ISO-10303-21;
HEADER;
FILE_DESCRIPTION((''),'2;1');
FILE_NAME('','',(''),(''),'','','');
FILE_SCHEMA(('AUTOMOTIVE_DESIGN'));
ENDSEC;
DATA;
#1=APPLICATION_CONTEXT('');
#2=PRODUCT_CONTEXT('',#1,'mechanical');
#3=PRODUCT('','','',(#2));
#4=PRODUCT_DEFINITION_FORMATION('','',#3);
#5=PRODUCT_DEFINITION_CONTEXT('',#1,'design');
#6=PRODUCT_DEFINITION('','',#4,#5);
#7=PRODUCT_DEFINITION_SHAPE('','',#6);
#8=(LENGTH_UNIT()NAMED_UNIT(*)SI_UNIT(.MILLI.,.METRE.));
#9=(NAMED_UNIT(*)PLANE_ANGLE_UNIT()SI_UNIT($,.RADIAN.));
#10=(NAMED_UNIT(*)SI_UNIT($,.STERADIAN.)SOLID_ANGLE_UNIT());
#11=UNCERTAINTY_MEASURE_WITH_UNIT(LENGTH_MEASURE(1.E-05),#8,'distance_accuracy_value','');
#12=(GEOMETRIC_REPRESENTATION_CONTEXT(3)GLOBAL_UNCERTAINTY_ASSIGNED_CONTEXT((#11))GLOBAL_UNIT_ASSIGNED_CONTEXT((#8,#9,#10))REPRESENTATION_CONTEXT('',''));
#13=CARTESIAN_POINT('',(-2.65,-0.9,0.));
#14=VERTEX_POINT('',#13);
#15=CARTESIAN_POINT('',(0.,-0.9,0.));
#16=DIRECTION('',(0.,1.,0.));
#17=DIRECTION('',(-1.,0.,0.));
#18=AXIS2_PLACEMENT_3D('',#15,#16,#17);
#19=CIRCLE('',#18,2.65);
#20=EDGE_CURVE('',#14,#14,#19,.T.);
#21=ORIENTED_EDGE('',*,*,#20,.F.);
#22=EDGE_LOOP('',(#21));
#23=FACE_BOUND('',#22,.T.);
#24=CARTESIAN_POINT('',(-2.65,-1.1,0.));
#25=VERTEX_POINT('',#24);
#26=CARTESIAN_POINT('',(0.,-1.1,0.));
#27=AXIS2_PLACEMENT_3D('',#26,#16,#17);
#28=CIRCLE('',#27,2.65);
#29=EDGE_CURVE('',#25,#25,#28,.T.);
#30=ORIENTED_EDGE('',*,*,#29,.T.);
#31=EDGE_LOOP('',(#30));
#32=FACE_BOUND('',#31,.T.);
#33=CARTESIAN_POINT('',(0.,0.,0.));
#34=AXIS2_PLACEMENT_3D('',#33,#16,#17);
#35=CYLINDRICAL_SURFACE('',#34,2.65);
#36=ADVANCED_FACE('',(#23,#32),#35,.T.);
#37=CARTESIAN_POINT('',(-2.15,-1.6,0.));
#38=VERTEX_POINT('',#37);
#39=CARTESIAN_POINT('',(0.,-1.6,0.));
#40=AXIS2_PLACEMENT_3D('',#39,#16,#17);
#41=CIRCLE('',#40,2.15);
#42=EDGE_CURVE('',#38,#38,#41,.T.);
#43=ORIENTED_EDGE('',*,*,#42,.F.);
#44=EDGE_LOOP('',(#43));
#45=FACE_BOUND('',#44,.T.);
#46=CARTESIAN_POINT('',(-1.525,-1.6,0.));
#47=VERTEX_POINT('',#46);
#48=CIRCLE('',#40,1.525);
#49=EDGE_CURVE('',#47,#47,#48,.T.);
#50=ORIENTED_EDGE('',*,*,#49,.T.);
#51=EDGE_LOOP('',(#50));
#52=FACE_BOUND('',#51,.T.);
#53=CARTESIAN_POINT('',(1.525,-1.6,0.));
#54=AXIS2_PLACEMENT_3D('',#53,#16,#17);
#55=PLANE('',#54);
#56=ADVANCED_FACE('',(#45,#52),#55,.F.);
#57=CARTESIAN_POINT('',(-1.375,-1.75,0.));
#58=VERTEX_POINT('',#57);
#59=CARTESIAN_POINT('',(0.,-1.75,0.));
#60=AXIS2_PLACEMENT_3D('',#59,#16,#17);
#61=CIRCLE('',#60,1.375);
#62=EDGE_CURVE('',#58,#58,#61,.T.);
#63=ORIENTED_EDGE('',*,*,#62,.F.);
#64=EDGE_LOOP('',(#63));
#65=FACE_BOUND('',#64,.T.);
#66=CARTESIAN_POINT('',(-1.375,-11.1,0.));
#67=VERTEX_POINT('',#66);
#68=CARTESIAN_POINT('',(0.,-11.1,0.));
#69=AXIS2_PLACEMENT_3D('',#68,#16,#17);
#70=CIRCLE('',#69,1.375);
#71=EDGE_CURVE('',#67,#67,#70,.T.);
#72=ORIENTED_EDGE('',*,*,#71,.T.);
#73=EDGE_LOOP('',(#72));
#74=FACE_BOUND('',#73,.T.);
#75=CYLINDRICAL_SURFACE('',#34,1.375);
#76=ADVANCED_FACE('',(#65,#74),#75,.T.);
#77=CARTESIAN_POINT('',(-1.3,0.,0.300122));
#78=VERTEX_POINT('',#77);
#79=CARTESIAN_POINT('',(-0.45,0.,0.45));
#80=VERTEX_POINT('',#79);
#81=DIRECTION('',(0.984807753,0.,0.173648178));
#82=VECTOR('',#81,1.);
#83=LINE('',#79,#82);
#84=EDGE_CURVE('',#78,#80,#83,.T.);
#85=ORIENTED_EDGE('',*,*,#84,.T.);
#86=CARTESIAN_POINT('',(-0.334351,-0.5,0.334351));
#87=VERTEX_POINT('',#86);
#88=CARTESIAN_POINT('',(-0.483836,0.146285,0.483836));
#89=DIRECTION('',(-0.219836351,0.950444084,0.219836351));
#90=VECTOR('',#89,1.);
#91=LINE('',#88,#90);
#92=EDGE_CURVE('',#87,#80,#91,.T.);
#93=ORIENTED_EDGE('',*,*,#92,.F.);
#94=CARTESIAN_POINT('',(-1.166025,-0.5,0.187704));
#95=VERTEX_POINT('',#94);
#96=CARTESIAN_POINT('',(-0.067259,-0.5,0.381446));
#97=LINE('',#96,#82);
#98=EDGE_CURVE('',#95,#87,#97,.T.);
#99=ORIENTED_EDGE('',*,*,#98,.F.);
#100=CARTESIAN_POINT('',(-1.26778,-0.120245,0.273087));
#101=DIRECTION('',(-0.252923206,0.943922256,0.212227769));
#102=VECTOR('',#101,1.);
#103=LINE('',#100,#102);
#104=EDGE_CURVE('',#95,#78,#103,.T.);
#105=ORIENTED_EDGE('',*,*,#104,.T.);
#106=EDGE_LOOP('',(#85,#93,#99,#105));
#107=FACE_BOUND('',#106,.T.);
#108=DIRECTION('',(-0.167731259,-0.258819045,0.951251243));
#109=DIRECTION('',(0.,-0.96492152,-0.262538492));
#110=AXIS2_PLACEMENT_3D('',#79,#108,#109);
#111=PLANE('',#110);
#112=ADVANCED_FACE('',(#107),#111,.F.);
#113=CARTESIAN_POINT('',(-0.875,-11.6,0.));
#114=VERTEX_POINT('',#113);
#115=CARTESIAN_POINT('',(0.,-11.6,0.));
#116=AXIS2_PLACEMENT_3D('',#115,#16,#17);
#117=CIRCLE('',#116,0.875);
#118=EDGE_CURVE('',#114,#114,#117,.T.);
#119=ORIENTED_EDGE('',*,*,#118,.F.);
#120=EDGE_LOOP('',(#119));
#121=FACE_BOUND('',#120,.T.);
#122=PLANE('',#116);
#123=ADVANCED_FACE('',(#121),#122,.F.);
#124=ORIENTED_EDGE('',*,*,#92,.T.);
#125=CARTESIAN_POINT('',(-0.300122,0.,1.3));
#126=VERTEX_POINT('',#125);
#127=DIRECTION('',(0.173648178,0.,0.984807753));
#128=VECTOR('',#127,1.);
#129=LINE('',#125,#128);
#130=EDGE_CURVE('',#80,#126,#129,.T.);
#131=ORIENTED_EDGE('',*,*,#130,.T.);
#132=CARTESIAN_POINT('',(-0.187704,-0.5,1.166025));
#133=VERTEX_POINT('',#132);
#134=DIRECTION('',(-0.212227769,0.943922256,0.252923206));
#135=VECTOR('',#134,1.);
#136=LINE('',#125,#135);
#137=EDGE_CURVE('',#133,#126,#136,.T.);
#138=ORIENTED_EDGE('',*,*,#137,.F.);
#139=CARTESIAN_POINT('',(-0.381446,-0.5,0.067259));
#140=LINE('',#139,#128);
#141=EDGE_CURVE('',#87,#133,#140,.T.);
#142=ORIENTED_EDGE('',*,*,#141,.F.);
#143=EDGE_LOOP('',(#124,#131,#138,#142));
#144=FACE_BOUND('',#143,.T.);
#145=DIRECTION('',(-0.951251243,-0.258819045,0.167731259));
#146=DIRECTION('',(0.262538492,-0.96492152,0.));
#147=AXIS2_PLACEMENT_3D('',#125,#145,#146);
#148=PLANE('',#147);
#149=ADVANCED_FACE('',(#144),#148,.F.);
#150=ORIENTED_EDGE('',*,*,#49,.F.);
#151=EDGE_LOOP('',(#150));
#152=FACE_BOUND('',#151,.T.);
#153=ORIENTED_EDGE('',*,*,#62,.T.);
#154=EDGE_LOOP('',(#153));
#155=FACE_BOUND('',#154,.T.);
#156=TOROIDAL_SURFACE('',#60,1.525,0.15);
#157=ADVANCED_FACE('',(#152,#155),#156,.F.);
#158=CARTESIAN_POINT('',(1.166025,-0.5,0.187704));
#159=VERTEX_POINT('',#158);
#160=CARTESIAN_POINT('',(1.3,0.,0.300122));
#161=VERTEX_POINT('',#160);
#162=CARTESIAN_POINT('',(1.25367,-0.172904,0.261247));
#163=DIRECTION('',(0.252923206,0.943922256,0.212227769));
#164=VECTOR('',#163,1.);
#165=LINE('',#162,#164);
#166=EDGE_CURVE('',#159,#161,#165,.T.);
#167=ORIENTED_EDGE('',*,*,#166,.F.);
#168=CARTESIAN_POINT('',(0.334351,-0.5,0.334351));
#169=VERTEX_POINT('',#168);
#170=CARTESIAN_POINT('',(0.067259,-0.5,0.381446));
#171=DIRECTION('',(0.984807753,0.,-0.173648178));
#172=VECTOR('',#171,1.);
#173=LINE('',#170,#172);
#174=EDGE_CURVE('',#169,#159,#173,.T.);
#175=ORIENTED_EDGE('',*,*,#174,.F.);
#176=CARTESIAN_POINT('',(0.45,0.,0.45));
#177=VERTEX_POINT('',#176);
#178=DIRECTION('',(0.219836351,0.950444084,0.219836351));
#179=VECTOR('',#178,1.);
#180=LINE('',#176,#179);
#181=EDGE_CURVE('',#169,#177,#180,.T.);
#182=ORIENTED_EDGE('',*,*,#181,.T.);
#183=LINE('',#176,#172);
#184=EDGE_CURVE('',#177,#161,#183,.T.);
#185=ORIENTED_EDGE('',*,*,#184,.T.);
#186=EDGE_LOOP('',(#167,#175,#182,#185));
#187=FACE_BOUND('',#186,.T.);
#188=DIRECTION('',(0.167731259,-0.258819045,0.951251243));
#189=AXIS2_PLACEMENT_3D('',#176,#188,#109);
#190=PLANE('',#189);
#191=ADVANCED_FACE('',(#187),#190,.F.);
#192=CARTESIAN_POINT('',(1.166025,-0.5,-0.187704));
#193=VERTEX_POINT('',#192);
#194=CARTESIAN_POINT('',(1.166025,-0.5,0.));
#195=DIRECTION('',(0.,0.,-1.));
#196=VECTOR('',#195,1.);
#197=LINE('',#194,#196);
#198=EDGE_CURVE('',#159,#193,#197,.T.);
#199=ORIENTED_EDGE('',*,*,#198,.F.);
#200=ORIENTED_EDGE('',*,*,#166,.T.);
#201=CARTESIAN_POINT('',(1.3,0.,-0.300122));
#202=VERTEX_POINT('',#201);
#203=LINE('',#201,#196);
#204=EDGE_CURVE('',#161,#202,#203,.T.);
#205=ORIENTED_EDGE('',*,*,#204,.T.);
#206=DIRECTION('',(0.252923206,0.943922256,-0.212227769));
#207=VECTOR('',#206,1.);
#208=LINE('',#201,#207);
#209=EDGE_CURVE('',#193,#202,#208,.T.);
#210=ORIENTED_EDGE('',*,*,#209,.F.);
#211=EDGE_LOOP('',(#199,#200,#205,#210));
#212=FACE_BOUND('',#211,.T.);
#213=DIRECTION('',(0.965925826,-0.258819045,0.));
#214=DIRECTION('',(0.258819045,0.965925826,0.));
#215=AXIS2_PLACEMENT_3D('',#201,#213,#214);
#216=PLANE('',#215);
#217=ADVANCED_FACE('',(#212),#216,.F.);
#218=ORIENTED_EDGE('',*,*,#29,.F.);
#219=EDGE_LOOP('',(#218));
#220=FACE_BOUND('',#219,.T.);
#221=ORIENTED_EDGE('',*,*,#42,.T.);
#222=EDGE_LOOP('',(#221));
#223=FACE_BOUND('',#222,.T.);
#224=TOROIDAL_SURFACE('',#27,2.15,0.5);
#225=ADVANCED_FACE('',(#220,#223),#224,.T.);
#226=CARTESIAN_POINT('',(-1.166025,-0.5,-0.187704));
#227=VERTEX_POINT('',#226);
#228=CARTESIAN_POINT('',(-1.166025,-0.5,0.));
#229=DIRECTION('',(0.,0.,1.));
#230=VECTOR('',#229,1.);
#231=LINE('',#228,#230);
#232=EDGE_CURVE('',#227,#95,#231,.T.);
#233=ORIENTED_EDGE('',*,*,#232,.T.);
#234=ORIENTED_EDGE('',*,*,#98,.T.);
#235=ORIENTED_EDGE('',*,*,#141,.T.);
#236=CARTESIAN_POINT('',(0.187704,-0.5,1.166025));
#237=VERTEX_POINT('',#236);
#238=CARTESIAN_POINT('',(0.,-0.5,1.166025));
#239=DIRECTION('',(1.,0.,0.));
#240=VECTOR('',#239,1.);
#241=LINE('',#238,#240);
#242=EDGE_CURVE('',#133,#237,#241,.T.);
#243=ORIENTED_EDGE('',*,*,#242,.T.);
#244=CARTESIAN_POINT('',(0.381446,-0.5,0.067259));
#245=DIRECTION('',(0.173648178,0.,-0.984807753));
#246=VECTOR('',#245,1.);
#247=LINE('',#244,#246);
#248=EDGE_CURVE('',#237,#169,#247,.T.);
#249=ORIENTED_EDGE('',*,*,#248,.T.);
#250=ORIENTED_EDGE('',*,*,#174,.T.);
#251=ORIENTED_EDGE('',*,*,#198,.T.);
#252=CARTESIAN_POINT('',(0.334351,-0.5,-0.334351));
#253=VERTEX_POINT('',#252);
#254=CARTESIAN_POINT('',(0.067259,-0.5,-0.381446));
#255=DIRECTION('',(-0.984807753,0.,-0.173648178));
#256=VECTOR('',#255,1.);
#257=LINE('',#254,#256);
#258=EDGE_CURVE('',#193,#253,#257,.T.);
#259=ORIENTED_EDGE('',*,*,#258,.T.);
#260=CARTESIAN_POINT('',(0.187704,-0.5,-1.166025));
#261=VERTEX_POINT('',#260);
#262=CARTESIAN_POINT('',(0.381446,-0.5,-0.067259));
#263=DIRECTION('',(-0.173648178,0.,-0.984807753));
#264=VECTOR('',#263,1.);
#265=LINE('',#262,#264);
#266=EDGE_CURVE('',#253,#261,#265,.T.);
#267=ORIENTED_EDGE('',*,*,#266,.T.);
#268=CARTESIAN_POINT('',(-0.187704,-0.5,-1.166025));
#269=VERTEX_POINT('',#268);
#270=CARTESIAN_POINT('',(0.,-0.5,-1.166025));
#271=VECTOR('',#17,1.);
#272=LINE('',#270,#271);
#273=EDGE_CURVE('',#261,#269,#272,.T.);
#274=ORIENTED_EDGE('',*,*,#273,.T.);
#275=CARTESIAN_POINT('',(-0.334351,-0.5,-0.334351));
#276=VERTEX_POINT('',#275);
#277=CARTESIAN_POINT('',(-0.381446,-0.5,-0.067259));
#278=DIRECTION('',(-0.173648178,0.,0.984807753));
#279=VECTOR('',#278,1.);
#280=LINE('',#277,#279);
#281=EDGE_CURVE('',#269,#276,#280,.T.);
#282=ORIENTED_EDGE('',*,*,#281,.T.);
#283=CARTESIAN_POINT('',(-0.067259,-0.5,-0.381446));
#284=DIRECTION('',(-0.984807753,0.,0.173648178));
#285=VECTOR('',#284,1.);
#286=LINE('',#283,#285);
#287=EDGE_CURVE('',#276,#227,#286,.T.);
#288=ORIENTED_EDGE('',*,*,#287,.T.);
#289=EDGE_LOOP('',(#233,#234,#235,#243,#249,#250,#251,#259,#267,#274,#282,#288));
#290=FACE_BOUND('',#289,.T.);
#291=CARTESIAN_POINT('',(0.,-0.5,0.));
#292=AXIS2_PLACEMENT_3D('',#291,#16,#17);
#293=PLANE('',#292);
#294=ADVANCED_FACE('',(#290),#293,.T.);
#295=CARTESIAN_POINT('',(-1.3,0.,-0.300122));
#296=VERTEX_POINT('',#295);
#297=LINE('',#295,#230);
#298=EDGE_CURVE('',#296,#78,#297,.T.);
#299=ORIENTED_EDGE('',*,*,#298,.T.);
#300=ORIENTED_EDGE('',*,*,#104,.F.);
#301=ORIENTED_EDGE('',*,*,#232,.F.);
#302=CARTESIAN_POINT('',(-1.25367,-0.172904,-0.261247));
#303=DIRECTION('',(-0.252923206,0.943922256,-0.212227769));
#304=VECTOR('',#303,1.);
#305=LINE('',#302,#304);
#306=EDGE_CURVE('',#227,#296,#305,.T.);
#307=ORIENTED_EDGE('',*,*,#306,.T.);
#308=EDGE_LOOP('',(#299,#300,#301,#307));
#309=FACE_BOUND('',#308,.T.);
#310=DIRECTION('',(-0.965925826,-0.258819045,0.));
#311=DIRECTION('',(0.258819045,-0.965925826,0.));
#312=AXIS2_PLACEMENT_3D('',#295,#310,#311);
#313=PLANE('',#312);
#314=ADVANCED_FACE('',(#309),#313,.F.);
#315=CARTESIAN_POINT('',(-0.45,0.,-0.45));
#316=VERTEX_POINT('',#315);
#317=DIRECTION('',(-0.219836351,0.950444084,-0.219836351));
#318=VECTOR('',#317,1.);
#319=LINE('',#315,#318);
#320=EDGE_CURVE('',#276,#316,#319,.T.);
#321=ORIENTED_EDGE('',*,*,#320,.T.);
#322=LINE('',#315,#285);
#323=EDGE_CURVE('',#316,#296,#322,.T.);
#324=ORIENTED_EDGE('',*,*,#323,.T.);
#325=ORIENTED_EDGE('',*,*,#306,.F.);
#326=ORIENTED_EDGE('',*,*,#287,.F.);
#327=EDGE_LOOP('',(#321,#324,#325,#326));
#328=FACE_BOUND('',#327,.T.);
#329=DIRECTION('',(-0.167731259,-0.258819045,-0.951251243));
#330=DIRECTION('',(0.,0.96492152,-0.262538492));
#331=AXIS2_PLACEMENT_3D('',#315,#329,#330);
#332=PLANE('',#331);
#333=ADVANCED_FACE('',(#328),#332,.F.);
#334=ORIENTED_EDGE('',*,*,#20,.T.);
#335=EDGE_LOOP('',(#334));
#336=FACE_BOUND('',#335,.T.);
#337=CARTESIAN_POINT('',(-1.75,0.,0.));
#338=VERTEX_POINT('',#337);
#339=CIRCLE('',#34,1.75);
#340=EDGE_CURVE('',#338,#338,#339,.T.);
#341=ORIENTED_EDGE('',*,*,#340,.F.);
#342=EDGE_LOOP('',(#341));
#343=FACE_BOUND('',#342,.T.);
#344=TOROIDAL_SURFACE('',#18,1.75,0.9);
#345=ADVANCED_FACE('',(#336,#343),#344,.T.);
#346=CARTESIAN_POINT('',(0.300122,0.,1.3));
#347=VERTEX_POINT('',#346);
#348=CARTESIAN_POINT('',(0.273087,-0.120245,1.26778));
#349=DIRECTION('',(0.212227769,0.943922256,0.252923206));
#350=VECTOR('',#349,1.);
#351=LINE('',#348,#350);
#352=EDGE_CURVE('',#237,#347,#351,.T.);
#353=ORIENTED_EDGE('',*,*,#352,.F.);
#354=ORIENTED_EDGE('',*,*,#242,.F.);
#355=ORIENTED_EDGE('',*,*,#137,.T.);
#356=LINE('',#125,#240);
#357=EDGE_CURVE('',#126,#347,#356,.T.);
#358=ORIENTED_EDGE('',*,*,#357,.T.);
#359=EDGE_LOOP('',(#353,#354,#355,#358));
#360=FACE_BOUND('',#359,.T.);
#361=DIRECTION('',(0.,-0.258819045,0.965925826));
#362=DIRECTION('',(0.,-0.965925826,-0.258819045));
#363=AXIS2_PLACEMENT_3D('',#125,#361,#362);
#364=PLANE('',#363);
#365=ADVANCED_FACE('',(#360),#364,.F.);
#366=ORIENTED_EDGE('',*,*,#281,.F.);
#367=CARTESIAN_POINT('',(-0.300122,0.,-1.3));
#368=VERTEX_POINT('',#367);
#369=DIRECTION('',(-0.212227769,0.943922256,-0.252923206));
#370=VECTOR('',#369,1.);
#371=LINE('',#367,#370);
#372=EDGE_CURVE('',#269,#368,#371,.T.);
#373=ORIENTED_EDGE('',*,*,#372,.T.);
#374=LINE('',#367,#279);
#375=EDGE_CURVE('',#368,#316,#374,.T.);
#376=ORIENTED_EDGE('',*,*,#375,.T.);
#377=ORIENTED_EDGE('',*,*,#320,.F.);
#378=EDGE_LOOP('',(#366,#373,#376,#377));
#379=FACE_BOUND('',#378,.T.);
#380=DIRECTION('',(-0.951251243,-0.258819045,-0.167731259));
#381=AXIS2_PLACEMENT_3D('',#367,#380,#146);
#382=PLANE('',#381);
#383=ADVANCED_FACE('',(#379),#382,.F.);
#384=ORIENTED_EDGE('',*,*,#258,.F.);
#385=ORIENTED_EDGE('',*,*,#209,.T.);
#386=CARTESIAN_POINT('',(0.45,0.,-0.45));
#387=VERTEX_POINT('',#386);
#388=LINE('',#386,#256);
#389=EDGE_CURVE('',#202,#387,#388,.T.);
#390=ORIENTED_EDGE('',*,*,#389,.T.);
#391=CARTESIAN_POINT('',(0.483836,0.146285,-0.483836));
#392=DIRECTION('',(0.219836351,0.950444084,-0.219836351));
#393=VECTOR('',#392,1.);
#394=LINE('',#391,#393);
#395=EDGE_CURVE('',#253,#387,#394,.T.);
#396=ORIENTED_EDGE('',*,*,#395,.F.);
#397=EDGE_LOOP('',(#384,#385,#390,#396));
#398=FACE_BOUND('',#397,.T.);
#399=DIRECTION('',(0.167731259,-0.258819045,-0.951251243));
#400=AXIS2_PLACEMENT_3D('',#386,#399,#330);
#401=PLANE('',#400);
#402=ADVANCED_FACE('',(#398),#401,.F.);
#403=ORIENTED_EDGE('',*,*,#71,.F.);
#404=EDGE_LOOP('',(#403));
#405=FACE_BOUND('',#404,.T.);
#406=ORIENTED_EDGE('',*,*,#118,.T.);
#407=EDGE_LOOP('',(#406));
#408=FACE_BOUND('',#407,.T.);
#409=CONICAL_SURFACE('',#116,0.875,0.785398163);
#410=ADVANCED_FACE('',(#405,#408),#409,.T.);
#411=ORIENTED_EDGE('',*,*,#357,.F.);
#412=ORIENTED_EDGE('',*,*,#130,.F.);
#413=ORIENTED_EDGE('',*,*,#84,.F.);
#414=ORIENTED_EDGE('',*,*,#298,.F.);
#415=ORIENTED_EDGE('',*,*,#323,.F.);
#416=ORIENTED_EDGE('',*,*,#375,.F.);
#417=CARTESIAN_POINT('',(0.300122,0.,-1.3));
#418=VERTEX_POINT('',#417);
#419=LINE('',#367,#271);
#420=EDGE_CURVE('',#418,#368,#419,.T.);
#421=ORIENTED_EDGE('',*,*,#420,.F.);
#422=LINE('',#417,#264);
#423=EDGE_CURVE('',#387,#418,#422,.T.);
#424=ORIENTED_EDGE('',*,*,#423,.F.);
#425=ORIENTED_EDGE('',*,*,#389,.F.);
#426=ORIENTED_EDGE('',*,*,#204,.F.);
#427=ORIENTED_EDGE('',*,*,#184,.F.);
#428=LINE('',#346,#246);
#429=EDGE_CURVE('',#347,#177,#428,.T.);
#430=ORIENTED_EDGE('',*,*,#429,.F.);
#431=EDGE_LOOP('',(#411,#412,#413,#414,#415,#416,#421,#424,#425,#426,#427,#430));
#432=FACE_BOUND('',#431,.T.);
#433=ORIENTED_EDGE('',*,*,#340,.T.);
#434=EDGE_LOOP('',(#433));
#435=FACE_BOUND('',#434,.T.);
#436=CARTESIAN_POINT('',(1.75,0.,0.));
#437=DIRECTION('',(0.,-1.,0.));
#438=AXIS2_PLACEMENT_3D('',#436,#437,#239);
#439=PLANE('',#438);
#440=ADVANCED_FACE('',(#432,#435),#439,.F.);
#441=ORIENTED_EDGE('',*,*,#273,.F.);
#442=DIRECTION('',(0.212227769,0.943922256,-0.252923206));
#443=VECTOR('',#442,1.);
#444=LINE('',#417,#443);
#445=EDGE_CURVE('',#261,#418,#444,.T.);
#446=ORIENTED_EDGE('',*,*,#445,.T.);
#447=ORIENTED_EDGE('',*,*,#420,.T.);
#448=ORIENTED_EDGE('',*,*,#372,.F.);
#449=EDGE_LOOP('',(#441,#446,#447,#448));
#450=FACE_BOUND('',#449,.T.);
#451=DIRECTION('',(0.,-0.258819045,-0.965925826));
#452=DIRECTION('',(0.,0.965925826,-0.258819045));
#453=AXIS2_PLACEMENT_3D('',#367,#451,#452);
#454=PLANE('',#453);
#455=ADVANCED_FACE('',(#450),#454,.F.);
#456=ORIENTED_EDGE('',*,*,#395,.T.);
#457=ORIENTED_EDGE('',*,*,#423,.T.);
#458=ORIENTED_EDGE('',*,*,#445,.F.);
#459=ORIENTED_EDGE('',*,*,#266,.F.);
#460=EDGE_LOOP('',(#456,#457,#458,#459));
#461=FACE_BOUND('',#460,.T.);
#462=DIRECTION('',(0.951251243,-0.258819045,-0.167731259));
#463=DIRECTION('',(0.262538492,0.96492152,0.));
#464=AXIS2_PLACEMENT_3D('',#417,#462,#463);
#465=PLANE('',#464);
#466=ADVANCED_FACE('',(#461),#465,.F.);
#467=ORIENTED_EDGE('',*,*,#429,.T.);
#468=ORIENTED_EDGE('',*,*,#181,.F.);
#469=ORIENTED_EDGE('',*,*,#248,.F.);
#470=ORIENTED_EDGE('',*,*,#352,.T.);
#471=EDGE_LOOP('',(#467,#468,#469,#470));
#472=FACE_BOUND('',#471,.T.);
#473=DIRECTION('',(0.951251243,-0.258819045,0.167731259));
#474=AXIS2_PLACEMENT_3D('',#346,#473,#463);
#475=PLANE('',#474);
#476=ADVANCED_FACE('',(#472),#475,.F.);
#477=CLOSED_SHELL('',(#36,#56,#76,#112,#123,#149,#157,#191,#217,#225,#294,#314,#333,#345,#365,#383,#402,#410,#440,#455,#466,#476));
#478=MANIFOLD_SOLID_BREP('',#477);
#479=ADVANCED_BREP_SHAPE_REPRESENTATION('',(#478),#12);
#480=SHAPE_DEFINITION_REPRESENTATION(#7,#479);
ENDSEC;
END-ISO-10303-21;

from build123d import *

# Parameters (mm, degrees)
CUT_EXTRUDE1_DEPTH = 0.5
CUT_EXTRUDE1_TAPER = 15


with BuildPart() as part:
    # Sketch1 → Revolve1 (revolve)
    with BuildSketch(Plane.XY):
        with BuildLine():
            Line((0, -11.6), (0.875, -11.6))
            Line((0.875, -11.6), (1.375, -11.1))
            Line((1.375, -11.1), (1.375, -1.75))
            ThreePointArc((1.375, -1.75), (1.418933983, -1.643933983), (1.525, -1.6))
            Line((1.525, -1.6), (2.15, -1.6))
            ThreePointArc((2.15, -1.6), (2.503553391, -1.453553391), (2.65, -1.1))
            Line((2.65, -1.1), (2.65, -0.9))
            ThreePointArc((2.65, -0.9), (2.386396103, -0.263603897), (1.75, 0))
            Line((1.75, 0), (0, 0))
            Line((0, 0), (0, -11.6))
        make_face()
    revolve(axis=Axis((0, 0, 0), (0, -1, 0)))

    # Sketch2 → Cut-Extrude1 (cut)
    with BuildSketch(Plane(origin=(0, 0, 0), x_dir=(1, 0, 0), z_dir=(0, 1, 0))):
        Polygon((-0.300122066, 1.3), (-0.45, 0.45), (-1.3, 0.300122066), (-1.3, -0.300122066), (-0.45, -0.45), (-0.300122066, -1.3), (0.300122066, -1.3), (0.45, -0.45), (1.3, -0.300122066), (1.3, 0.300122066), (0.45, 0.45), (0.300122066, 1.3), align=None)
    extrude(amount=-CUT_EXTRUDE1_DEPTH, taper=CUT_EXTRUDE1_TAPER, mode=Mode.SUBTRACT)


solid = part.part
